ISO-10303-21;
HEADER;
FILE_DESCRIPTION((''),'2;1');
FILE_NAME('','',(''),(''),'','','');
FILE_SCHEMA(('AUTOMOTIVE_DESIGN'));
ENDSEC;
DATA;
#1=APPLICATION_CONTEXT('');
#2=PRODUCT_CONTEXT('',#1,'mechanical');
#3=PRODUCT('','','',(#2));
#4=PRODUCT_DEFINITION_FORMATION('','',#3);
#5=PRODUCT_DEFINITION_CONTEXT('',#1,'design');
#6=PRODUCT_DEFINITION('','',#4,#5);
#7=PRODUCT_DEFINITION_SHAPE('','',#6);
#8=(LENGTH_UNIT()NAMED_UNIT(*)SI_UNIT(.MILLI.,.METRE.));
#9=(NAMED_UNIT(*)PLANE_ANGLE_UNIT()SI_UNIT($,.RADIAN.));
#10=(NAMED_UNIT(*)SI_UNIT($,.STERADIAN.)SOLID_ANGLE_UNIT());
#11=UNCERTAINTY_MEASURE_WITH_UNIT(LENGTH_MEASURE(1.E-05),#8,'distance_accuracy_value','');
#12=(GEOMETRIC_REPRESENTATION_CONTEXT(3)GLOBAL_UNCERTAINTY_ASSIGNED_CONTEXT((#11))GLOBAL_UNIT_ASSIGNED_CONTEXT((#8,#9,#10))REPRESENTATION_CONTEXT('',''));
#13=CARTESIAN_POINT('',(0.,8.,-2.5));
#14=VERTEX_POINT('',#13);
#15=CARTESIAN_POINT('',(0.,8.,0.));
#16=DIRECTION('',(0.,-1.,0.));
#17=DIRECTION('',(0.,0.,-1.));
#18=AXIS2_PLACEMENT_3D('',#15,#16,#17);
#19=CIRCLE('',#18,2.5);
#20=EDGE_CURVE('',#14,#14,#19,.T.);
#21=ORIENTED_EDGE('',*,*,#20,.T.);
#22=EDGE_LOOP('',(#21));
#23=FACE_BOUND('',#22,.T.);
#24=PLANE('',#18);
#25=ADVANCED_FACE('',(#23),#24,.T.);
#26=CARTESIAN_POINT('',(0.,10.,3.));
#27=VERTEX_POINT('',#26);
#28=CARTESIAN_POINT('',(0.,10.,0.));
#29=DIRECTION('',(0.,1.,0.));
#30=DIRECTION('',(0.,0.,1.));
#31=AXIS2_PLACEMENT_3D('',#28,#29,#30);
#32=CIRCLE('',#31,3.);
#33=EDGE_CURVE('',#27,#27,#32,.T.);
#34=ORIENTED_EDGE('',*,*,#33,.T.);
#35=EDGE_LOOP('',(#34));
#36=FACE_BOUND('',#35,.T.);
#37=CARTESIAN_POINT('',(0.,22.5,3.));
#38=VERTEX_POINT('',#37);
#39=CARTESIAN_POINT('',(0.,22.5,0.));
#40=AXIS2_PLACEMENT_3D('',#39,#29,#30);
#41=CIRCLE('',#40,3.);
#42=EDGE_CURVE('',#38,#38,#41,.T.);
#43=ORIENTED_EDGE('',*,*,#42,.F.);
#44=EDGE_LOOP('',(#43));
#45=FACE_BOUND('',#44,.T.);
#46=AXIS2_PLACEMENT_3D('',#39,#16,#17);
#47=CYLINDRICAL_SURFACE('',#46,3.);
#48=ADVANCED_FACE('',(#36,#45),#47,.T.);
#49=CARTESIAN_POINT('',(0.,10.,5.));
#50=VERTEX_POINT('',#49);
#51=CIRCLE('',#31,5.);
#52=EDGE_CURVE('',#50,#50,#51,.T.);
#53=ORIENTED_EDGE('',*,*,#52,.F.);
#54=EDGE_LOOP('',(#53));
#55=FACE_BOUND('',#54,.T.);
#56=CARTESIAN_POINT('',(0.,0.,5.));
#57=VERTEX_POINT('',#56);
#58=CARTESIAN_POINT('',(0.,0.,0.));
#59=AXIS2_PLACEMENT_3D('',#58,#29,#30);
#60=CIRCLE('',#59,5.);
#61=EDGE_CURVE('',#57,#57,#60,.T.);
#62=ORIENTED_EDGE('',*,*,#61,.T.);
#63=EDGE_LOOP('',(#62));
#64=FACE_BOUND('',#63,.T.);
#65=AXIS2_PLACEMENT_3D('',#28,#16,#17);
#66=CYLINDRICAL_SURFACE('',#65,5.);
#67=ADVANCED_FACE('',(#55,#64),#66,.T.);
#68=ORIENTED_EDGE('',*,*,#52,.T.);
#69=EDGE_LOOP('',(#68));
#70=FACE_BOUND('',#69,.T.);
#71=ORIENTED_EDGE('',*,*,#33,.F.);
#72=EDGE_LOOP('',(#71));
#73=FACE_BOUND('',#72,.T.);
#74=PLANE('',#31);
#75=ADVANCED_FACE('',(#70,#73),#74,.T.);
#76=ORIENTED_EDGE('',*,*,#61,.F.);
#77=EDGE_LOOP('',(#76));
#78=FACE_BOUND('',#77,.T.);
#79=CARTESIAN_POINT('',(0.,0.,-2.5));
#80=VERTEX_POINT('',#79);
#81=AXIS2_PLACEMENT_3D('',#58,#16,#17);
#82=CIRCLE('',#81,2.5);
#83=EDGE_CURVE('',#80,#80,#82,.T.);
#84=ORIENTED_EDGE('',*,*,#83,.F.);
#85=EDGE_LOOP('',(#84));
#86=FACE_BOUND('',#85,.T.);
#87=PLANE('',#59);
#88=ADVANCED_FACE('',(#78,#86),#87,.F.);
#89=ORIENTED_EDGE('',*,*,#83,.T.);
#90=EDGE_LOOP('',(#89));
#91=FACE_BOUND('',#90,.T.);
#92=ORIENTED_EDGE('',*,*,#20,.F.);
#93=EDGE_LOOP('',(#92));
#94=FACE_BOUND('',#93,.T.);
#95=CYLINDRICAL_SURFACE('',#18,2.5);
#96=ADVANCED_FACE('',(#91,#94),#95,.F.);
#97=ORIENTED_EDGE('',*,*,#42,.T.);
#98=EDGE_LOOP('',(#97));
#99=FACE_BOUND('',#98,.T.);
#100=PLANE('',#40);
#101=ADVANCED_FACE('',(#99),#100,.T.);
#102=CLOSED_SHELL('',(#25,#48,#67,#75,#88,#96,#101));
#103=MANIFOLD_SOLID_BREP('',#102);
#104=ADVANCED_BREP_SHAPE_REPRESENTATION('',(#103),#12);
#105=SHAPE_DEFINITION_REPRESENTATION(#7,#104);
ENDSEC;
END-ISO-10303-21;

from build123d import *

# Parameters (mm, degrees)
SKETCH1_R           = 5
BOSS_EXTRUDE1_DEPTH = 10
SKETCH2_R           = 2.5
CUT_EXTRUDE1_DEPTH  = 8
SKETCH3_R           = 3
BOSS_EXTRUDE2_DEPTH = 12.5


with BuildPart() as part:
    # Sketch1 → Boss-Extrude1 (new body)
    with BuildSketch(Plane(origin=(0, 0, 0), x_dir=(1, 0, 0), z_dir=(0, 1, 0))):
        with Locations(Location((0, 0, 0), (0, 0, 270))):
            Circle(SKETCH1_R)
    extrude(amount=BOSS_EXTRUDE1_DEPTH)

    # Sketch2 → Cut-Extrude1 (cut)
    with BuildSketch(Plane.XZ):
        with Locations(Location((0, 0, 0), (0, 0, 270))):
            Circle(SKETCH2_R)
    extrude(amount=-CUT_EXTRUDE1_DEPTH, mode=Mode.SUBTRACT)

    # Sketch3 → Boss-Extrude2 (add)
    with BuildSketch(Plane(origin=(0, 10, 0), x_dir=(1, 0, 0), z_dir=(0, 1, 0))):
        with Locations(Location((0, 0, 0), (0, 0, 270))):
            Circle(SKETCH3_R)
    extrude(amount=BOSS_EXTRUDE2_DEPTH)


solid = part.part
